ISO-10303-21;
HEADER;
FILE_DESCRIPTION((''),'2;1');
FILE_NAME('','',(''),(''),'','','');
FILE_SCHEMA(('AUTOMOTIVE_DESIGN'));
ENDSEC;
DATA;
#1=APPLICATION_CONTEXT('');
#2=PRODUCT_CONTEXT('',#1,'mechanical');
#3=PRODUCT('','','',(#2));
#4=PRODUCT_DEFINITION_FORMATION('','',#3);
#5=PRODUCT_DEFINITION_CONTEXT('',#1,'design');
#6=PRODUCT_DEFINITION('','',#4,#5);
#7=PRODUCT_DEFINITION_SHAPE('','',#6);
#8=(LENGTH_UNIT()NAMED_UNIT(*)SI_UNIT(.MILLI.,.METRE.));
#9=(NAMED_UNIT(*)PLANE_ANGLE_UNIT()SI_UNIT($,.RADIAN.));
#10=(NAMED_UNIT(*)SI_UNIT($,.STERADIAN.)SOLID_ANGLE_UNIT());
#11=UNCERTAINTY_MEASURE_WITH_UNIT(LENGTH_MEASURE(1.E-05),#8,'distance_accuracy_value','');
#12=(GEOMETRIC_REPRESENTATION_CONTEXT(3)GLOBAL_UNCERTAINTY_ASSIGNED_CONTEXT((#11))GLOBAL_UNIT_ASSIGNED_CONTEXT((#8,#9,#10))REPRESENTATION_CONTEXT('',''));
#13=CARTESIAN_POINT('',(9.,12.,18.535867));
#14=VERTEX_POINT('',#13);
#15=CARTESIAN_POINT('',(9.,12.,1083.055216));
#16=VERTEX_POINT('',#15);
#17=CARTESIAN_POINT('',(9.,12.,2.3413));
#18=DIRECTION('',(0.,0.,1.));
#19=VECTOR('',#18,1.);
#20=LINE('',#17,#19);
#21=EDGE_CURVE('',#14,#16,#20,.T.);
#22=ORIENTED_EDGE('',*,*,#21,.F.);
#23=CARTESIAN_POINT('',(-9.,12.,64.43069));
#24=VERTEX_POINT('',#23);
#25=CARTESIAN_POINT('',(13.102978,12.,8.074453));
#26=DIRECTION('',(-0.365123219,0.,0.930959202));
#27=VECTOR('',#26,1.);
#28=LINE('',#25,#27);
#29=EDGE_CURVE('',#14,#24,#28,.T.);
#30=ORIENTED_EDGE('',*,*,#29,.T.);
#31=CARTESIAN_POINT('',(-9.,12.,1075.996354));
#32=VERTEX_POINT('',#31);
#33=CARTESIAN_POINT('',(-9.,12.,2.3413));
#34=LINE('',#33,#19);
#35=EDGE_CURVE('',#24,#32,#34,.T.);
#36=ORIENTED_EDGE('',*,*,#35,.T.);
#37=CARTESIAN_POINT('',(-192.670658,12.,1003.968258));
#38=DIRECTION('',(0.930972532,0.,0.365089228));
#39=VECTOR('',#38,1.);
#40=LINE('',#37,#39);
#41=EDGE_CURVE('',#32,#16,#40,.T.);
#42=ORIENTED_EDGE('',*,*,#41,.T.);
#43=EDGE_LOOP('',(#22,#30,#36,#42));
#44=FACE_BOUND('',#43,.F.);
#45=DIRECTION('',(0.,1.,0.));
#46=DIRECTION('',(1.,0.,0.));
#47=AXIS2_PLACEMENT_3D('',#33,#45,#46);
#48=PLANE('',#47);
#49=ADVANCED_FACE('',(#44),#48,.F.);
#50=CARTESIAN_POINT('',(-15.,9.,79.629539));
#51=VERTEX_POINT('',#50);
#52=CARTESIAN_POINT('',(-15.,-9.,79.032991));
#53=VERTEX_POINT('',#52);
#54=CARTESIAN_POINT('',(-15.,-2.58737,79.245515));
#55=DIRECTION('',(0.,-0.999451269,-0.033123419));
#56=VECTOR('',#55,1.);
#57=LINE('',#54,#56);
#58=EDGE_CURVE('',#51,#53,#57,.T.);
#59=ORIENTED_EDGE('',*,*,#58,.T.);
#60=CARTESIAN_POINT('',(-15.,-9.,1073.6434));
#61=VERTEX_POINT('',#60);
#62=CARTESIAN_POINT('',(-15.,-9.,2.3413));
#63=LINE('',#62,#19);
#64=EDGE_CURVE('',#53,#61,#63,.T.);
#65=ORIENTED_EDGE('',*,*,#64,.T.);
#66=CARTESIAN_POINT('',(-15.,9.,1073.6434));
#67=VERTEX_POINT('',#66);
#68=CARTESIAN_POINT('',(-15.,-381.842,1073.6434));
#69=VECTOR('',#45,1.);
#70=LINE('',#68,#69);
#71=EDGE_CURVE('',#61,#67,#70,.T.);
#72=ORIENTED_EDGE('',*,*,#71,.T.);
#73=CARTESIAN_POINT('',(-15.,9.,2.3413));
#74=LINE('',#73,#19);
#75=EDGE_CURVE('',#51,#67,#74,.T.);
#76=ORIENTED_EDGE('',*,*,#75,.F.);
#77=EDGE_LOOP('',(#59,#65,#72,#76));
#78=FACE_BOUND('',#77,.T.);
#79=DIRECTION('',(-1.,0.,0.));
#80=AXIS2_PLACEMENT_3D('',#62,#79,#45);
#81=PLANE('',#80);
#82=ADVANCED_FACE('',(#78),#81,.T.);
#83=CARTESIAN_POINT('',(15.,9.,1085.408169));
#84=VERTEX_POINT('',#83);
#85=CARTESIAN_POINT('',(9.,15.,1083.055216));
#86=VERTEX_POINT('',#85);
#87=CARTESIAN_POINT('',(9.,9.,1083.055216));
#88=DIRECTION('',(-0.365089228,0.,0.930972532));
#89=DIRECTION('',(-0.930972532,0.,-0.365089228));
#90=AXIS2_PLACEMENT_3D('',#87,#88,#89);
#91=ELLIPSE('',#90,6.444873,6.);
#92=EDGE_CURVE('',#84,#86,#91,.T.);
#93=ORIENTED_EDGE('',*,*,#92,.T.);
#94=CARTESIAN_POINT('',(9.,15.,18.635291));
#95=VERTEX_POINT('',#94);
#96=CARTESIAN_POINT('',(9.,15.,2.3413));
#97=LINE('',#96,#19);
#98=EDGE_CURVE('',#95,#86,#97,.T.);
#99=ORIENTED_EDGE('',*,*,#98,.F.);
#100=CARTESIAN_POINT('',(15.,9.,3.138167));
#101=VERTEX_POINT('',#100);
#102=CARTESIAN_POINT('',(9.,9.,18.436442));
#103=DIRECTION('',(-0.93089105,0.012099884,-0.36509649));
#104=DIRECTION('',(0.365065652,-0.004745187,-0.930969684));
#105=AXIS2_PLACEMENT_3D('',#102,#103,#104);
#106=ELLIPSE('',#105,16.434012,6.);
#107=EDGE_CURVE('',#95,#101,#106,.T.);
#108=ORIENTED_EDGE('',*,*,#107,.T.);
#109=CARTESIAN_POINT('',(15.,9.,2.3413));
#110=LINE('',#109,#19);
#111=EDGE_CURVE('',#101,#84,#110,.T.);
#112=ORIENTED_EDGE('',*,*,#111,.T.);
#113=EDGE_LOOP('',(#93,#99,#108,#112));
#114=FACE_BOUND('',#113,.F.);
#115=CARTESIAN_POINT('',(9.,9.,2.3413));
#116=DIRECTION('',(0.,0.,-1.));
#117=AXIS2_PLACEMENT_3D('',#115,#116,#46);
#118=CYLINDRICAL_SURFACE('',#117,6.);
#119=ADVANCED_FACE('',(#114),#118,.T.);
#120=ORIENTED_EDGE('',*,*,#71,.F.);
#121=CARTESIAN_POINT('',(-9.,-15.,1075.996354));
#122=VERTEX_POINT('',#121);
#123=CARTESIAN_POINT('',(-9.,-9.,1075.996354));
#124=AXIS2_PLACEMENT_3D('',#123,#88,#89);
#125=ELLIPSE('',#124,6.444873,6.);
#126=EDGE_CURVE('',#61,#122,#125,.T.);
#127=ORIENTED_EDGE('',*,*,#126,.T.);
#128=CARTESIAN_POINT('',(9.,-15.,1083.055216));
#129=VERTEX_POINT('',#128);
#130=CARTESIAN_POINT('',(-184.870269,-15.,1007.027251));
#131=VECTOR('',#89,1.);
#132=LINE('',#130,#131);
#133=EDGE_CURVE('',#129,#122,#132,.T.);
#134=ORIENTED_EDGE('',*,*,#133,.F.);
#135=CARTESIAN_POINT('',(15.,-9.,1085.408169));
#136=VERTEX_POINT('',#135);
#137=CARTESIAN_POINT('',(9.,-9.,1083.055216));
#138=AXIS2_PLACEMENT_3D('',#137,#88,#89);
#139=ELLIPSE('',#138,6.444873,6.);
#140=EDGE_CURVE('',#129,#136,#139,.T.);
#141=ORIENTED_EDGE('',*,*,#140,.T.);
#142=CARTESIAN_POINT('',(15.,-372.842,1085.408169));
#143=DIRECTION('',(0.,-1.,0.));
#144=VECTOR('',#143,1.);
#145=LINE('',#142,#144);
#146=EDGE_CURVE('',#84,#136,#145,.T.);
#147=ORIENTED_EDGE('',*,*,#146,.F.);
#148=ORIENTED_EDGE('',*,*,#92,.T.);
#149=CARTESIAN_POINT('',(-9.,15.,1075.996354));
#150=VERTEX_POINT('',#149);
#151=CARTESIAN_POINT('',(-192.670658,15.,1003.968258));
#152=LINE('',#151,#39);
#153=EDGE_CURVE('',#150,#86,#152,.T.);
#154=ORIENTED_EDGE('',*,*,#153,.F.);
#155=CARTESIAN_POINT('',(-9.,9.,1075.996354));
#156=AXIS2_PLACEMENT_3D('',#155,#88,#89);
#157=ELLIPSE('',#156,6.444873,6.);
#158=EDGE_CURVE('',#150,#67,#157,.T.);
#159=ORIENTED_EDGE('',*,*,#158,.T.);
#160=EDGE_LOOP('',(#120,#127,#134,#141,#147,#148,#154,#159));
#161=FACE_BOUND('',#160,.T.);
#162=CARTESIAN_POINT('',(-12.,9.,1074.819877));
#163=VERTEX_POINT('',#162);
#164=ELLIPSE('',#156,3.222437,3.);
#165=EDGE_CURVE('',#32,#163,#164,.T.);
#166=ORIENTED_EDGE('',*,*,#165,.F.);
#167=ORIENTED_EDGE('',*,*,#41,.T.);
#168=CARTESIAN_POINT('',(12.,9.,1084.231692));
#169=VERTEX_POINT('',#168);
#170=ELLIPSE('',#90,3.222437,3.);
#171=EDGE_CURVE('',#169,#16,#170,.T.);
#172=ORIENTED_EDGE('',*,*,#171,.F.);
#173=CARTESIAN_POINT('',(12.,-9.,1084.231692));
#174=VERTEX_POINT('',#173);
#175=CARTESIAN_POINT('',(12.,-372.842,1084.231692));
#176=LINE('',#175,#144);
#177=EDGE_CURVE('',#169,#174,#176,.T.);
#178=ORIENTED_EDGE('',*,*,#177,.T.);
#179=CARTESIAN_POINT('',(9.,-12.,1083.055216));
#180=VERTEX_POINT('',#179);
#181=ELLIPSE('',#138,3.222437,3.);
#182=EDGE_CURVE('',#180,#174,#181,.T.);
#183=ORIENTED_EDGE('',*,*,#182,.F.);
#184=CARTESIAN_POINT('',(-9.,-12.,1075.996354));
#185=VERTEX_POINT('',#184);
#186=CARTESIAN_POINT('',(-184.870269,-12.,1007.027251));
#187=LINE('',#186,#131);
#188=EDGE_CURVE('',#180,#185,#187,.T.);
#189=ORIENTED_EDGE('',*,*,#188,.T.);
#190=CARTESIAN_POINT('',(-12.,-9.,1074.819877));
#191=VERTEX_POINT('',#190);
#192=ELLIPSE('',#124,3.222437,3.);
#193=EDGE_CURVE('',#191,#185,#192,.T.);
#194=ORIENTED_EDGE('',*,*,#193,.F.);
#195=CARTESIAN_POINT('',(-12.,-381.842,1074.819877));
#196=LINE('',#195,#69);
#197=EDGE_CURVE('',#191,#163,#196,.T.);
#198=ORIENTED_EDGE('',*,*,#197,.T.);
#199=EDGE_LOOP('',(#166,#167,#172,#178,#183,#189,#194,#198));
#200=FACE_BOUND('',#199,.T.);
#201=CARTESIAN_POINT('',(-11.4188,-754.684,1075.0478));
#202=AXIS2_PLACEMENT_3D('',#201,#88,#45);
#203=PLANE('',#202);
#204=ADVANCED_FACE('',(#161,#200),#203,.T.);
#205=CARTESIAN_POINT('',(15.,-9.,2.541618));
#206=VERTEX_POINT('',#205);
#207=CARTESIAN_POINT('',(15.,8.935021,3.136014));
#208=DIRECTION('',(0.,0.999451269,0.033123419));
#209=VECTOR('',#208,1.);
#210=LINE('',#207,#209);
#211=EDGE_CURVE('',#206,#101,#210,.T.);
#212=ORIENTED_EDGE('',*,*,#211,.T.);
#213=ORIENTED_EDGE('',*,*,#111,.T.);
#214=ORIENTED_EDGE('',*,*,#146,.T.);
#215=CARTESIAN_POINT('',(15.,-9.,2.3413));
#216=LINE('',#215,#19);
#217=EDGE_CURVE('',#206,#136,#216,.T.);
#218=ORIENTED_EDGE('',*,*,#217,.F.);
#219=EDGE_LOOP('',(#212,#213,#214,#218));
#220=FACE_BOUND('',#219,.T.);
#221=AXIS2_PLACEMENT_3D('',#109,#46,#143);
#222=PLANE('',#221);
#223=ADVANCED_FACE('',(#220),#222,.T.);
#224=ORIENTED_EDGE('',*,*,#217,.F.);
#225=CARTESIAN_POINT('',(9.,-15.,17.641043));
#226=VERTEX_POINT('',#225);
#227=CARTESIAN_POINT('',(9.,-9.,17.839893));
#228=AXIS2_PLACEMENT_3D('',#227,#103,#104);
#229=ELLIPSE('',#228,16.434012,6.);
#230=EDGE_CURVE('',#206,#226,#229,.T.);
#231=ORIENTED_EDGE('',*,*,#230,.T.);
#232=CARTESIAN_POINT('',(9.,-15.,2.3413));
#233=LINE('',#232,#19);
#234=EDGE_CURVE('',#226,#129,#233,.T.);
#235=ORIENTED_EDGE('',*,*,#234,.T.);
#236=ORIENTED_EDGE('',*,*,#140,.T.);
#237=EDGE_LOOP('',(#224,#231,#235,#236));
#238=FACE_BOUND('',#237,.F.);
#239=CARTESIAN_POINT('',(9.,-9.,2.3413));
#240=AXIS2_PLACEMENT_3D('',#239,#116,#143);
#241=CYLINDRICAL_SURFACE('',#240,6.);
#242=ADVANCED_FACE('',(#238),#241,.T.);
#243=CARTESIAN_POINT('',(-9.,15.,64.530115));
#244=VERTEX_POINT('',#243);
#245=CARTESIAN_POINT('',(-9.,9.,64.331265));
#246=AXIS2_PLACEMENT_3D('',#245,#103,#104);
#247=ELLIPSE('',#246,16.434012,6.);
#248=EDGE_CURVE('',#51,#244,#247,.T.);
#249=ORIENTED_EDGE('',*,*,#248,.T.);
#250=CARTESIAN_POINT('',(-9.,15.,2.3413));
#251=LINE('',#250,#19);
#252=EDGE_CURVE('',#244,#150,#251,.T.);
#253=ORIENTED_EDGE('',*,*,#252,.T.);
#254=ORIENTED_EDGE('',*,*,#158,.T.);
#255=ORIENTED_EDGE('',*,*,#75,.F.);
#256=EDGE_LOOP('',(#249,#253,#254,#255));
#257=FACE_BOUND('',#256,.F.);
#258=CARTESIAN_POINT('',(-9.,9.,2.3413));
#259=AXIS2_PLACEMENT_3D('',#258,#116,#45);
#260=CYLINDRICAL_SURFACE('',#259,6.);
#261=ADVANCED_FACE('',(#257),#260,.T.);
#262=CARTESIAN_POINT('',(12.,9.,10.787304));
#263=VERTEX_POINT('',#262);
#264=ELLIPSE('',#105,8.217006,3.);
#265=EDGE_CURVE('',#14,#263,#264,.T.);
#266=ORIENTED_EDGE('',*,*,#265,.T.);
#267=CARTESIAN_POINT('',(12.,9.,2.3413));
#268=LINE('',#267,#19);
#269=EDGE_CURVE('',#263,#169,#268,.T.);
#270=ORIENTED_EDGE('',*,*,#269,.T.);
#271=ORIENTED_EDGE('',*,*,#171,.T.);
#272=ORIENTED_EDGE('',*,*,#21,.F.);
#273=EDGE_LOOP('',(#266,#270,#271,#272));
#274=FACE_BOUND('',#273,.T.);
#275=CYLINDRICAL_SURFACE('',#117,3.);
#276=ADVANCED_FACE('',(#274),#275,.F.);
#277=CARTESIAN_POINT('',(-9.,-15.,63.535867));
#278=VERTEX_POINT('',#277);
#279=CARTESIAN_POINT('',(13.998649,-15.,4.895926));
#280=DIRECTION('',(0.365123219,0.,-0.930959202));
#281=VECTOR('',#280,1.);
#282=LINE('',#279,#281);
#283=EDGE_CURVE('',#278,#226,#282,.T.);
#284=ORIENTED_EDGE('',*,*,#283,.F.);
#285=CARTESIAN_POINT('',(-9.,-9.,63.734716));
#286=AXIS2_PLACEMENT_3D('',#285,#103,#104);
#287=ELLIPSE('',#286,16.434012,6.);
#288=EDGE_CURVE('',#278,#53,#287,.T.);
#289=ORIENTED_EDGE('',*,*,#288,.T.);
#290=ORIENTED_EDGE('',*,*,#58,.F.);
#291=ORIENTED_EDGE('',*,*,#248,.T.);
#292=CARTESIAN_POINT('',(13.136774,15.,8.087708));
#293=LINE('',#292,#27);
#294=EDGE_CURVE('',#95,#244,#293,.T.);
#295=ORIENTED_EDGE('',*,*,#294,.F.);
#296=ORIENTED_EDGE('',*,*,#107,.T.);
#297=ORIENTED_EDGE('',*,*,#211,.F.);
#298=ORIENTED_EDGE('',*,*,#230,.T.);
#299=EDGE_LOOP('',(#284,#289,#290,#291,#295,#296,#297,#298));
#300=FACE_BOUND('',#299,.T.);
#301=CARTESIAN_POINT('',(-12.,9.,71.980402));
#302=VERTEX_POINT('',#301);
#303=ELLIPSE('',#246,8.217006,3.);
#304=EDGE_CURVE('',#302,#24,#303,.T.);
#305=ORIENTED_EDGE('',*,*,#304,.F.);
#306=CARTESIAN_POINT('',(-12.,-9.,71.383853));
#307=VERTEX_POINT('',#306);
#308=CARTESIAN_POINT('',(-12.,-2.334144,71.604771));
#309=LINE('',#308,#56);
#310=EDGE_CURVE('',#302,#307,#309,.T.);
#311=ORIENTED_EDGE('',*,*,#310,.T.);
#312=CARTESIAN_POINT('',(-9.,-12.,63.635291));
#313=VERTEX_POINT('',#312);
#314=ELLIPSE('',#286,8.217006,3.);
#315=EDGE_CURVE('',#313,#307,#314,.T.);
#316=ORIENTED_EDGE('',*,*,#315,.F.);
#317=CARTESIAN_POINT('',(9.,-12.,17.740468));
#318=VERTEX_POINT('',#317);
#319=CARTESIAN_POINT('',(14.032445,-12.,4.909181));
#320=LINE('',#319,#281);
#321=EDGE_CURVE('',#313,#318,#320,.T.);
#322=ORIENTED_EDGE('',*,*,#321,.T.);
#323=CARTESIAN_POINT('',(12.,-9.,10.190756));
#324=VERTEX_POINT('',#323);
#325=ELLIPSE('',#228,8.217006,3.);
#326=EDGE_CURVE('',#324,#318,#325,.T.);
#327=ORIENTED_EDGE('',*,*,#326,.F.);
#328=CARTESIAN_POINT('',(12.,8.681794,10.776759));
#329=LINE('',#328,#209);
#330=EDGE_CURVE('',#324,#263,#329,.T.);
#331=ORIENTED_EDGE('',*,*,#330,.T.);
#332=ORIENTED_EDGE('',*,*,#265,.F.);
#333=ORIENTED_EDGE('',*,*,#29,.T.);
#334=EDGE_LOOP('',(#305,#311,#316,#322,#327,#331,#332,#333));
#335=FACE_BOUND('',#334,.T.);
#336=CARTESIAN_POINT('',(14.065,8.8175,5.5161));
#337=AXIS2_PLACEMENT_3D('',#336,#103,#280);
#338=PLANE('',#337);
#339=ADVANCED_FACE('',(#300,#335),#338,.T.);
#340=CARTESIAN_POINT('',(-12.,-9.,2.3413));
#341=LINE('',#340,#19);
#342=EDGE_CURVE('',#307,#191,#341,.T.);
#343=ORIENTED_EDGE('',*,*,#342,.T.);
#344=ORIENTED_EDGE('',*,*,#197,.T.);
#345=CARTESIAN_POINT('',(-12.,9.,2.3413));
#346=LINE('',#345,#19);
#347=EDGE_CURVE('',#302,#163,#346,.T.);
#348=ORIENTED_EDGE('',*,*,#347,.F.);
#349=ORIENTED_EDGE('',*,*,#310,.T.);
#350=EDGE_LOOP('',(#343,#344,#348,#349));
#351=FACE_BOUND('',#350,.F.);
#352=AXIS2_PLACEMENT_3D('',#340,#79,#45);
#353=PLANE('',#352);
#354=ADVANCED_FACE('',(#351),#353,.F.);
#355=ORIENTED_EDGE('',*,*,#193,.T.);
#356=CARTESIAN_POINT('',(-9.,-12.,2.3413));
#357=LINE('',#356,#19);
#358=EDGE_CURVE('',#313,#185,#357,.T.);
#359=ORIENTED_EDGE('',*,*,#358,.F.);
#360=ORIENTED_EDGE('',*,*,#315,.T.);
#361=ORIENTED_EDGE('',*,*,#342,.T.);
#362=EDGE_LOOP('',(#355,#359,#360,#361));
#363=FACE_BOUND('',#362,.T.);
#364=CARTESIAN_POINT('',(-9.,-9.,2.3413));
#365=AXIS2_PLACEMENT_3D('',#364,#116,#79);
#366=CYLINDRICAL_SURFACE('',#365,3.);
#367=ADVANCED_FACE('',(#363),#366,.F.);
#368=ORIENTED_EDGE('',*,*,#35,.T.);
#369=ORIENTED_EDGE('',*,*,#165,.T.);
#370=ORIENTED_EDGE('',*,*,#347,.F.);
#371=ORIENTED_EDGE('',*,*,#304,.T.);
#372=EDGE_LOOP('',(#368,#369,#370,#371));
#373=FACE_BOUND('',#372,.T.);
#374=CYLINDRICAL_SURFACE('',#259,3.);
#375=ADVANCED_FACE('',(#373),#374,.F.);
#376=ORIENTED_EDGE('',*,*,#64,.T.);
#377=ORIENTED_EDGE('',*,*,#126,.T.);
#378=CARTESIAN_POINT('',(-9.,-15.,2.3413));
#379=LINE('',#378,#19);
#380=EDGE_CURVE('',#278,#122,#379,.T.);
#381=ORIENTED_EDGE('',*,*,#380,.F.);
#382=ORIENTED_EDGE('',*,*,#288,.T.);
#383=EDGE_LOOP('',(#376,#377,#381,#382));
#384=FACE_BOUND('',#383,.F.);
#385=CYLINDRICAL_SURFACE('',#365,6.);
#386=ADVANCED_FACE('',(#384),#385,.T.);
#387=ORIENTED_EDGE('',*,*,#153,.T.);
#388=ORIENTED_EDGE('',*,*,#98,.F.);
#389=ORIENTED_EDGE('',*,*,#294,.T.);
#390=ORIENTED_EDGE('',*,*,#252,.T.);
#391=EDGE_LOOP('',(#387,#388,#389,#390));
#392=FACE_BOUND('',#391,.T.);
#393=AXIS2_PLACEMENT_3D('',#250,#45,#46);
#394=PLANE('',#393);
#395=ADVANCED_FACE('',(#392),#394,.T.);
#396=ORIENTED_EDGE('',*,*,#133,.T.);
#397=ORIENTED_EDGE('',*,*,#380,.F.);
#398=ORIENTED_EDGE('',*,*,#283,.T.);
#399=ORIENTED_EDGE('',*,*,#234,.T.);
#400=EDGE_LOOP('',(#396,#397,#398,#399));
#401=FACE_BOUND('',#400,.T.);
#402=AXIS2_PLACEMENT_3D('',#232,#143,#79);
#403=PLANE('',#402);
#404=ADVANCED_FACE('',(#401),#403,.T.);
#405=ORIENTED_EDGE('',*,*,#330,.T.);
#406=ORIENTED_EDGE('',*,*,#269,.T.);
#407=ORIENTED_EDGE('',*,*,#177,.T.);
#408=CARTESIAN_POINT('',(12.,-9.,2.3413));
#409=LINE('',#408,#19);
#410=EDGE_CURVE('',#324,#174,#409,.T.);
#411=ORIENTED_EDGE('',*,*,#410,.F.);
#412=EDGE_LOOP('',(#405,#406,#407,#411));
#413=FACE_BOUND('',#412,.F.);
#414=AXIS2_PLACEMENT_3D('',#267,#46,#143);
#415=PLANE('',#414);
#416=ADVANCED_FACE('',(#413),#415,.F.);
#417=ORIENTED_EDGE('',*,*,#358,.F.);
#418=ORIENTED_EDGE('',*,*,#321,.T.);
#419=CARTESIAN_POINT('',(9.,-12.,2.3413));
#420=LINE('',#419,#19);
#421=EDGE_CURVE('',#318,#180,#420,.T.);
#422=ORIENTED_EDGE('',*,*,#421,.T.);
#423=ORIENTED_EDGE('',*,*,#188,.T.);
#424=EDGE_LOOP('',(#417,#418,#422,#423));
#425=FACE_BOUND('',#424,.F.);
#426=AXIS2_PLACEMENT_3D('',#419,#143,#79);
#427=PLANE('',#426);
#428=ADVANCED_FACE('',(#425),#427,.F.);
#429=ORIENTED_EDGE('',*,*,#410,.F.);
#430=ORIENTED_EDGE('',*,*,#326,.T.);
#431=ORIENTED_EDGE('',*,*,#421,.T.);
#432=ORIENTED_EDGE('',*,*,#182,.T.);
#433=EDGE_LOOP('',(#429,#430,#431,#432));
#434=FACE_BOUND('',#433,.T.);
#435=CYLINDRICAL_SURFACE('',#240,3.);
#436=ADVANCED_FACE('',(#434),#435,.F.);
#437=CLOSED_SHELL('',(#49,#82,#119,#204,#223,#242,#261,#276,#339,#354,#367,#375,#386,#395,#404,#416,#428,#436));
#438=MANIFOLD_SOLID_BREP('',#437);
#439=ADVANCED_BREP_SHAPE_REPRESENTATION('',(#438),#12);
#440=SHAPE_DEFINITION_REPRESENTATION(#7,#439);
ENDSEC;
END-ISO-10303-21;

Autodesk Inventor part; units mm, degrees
ref_plane "Start Plane" through (0, 0, 2.3413) normal (0, 0, 1) x (1, 0, 0)
ref_plane "End Plane" through (0, 0, 1085.4089) normal (0, 0, 1) x (1, 0, 0)
sketch "Sketch" plane through (0, 0, 0) normal (0, 0, 1) x (1, 0, 0)
  line L0 (-15, -9) -> (-15, 9)
  line L1 (-9, 15) -> (9, 15)
  line L2 (15, 9) -> (15, -9)
  line L3 (9, -15) -> (-9, -15)
  arc A0 (-15, -9) -> (-9, -15) centre (-9, -9) ccw
  arc A1 (-9, 15) -> (-15, 9) centre (-9, 9) ccw
  arc A2 (15, 9) -> (9, 15) centre (9, 9) ccw
  arc A3 (9, -15) -> (15, -9) centre (9, -9) ccw
  arc A4 (-9, 12) -> (-12, 9) centre (-9, 9) ccw
  line L4 (-9, 12) -> (9, 12)
  arc A5 (12, 9) -> (9, 12) centre (9, 9) ccw
  line L5 (12, 9) -> (12, -9)
  arc A6 (9, -12) -> (12, -9) centre (9, -9) ccw
  line L6 (9, -12) -> (-9, -12)
  arc A7 (-12, -9) -> (-9, -12) centre (-9, -9) ccw
  line L7 (-12, -9) -> (-12, 9)
  line L8 (0, 22.7397) -> (0, -22.7397) construction
  line L9 (-22.7397, 0) -> (22.7397, 0) construction
  dimension "d7" = 6
  dimension "d10" = 30
  dimension "d11" = 30
  dimension "d12" = 3
  dimension "d15" = 15
  dimension "d16" = 15
extrude "Body" add sketch "Sketch" along normal up to surface (1083.0676 mm away) from surface at 2.3413
sketch "Sketch3" plane through (0, 0, 0) normal (0, 0, 1) x (1, 0, 0)
  line L0 (0, 0) -> (10, 0)
ref_plane "Work Plane3" through (0, 0, 0) normal (0, -1, 0) x (1, 0, 0)
ref_plane "Work Plane4" through (14.065, 8.8175, 5.5161) normal (-0.9309, 0.0121, -0.3651) x (-0.3649, 0.0178, 0.9309)
split "Split1" plane through (14.065, 8.8175, 5.5161) removes the side toward (-0.9309, 0.0121, -0.3651)
ref_plane "Work Plane5" through (-11.4188, -754.684, 1075.0478) normal (-0.3651, 0, 0.931) x (0.931, 0, 0.3651)
split "Split2" plane through (-11.4188, -754.684, 1075.0478) removes the side toward (-0.3651, 0, 0.931)
sketch "Sketch4" plane through (0, 0, 0) normal (0, -1, 0) x (1, 0, 0)
  line L0 (-2, 2.3413) -> (12, 2.3413) projected
  line L1 (-2, 1085.4089) -> (12, 1085.4089) projected
  dimension "d18" = 1083.0676
equation "\"d7\" = G_IR"
equation "\"d10\" = G_H"
equation "\"d11\" = G_W"
equation "\"d12\" = G_T"
equation "\"d15\" = 0.5 * d10"
equation "\"d16\" = 0.5 * d11"
equation "\"d3\" = G_L"
equation "\"G_W\" = 30"
equation "\"G_H\" = 30"
equation "\"G_T\" = 3"
equation "\"G_IR\" = 6"
equation "\"G_L\" = 1082.86969"
equation "\"G_OFFSET_START\" = -2.34127"
equation "\"G_OFFSET_END\" = -10.22954"
equation "\"d13\" = -G_OFFSET_START"
equation "\"d14\" = G_OFFSET_END + B_L"
equation "\"B_L\" = 1095.6384"
properties part number "DIN EN 10219-2 - 30 x 30 x 3  - 1082.87" material "Steel, Mild"
